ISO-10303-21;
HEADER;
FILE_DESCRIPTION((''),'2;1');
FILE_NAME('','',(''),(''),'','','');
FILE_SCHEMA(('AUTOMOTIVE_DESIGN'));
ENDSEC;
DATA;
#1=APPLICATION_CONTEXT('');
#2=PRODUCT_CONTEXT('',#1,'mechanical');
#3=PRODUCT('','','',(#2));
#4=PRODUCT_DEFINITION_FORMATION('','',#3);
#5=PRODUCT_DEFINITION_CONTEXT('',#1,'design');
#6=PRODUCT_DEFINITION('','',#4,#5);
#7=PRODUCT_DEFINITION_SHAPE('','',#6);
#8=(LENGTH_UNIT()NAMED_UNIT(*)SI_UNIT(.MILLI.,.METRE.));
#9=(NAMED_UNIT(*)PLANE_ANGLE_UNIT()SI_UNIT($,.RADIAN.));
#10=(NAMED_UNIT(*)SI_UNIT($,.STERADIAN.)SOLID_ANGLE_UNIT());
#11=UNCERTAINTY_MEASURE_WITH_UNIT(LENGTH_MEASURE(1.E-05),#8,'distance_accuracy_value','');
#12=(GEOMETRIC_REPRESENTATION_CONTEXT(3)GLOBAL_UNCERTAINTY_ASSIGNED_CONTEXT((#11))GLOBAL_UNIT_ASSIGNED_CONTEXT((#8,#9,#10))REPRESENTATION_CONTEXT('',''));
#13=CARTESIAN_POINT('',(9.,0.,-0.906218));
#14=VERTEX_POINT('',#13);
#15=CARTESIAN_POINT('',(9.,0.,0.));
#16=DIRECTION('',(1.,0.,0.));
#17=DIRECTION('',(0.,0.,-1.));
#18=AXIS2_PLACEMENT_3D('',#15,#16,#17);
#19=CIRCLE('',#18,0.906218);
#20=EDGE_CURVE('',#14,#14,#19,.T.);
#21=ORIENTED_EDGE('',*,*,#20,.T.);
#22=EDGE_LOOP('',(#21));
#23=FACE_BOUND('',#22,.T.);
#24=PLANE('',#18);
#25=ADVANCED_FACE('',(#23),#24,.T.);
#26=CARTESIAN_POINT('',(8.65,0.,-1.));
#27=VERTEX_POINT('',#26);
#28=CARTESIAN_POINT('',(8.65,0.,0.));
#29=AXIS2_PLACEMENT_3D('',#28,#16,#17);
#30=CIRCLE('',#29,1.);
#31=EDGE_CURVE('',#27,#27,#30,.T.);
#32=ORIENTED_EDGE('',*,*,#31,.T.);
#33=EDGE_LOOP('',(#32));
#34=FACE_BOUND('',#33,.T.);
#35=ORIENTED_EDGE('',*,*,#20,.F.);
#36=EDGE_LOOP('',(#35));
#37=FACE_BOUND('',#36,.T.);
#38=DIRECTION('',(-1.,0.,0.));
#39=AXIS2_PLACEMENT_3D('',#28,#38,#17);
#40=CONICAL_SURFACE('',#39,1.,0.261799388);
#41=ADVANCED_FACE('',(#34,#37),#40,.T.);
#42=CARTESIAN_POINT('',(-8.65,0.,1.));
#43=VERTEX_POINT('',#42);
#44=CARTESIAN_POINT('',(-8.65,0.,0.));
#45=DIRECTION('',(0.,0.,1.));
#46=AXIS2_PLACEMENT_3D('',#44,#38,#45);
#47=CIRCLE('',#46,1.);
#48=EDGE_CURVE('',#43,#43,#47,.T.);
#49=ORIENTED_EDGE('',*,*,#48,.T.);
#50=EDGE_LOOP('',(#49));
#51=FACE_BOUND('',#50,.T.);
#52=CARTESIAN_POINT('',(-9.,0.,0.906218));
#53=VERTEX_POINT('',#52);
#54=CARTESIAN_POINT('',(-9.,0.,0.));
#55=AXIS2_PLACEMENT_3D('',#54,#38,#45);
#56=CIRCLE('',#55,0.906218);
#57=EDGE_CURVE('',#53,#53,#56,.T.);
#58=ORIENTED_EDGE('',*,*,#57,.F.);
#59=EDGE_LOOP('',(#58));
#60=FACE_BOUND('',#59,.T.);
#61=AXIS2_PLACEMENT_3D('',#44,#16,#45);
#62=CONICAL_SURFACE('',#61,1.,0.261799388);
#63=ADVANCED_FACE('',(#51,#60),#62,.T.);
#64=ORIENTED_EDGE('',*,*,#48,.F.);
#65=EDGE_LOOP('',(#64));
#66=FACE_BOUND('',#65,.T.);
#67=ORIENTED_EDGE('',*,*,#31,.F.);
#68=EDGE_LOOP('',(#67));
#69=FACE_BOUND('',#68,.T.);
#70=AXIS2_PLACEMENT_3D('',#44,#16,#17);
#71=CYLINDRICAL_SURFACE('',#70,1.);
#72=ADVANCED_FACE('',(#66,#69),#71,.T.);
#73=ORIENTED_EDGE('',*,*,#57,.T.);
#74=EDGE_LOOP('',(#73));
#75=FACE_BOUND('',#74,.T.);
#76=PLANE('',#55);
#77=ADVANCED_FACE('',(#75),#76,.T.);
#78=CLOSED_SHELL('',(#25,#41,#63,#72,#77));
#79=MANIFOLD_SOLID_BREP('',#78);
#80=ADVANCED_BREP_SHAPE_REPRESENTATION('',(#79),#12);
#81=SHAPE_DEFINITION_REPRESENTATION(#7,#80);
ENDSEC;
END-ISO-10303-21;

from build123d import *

# Parameters (mm, degrees)
EXTRUDE1_DEPTH      = 8.65
EXTRUDE1_DEPTH_BACK = 8.65
SKETCH2_R           = 1
SKETCH3_R           = 1
EXTRUDE2_DEPTH      = 0.35
EXTRUDE2_TAPER      = 15
SKETCH4_R           = 1
EXTRUDE3_DEPTH      = 0.35
EXTRUDE3_TAPER      = 15


with BuildPart() as part:
    # Sketch2 → Extrude1 (new, two sides: drawn at the far end of the back side and taken through both)
    with BuildSketch(Plane(origin=(0, 0, 0), x_dir=(0, 0, -1), z_dir=(1, 0, 0)).offset(-EXTRUDE1_DEPTH_BACK)):
        Circle(SKETCH2_R)
    extrude(amount=EXTRUDE1_DEPTH + EXTRUDE1_DEPTH_BACK)

    # Sketch3 → Extrude2 (add)
    with BuildSketch(Plane(origin=(8.65, 0, 0), x_dir=(0, 0, -1), z_dir=(1, 0, 0))):
        Circle(SKETCH3_R)
    extrude(amount=EXTRUDE2_DEPTH, taper=EXTRUDE2_TAPER)

    # Sketch4 → Extrude3 (add)
    with BuildSketch(Plane.ZY.offset(8.65)):
        with Locations(Location((0, 0, 0), (0, 0, 180))):
            Circle(SKETCH4_R)
    extrude(amount=EXTRUDE3_DEPTH, taper=EXTRUDE3_TAPER)


solid = part.part
